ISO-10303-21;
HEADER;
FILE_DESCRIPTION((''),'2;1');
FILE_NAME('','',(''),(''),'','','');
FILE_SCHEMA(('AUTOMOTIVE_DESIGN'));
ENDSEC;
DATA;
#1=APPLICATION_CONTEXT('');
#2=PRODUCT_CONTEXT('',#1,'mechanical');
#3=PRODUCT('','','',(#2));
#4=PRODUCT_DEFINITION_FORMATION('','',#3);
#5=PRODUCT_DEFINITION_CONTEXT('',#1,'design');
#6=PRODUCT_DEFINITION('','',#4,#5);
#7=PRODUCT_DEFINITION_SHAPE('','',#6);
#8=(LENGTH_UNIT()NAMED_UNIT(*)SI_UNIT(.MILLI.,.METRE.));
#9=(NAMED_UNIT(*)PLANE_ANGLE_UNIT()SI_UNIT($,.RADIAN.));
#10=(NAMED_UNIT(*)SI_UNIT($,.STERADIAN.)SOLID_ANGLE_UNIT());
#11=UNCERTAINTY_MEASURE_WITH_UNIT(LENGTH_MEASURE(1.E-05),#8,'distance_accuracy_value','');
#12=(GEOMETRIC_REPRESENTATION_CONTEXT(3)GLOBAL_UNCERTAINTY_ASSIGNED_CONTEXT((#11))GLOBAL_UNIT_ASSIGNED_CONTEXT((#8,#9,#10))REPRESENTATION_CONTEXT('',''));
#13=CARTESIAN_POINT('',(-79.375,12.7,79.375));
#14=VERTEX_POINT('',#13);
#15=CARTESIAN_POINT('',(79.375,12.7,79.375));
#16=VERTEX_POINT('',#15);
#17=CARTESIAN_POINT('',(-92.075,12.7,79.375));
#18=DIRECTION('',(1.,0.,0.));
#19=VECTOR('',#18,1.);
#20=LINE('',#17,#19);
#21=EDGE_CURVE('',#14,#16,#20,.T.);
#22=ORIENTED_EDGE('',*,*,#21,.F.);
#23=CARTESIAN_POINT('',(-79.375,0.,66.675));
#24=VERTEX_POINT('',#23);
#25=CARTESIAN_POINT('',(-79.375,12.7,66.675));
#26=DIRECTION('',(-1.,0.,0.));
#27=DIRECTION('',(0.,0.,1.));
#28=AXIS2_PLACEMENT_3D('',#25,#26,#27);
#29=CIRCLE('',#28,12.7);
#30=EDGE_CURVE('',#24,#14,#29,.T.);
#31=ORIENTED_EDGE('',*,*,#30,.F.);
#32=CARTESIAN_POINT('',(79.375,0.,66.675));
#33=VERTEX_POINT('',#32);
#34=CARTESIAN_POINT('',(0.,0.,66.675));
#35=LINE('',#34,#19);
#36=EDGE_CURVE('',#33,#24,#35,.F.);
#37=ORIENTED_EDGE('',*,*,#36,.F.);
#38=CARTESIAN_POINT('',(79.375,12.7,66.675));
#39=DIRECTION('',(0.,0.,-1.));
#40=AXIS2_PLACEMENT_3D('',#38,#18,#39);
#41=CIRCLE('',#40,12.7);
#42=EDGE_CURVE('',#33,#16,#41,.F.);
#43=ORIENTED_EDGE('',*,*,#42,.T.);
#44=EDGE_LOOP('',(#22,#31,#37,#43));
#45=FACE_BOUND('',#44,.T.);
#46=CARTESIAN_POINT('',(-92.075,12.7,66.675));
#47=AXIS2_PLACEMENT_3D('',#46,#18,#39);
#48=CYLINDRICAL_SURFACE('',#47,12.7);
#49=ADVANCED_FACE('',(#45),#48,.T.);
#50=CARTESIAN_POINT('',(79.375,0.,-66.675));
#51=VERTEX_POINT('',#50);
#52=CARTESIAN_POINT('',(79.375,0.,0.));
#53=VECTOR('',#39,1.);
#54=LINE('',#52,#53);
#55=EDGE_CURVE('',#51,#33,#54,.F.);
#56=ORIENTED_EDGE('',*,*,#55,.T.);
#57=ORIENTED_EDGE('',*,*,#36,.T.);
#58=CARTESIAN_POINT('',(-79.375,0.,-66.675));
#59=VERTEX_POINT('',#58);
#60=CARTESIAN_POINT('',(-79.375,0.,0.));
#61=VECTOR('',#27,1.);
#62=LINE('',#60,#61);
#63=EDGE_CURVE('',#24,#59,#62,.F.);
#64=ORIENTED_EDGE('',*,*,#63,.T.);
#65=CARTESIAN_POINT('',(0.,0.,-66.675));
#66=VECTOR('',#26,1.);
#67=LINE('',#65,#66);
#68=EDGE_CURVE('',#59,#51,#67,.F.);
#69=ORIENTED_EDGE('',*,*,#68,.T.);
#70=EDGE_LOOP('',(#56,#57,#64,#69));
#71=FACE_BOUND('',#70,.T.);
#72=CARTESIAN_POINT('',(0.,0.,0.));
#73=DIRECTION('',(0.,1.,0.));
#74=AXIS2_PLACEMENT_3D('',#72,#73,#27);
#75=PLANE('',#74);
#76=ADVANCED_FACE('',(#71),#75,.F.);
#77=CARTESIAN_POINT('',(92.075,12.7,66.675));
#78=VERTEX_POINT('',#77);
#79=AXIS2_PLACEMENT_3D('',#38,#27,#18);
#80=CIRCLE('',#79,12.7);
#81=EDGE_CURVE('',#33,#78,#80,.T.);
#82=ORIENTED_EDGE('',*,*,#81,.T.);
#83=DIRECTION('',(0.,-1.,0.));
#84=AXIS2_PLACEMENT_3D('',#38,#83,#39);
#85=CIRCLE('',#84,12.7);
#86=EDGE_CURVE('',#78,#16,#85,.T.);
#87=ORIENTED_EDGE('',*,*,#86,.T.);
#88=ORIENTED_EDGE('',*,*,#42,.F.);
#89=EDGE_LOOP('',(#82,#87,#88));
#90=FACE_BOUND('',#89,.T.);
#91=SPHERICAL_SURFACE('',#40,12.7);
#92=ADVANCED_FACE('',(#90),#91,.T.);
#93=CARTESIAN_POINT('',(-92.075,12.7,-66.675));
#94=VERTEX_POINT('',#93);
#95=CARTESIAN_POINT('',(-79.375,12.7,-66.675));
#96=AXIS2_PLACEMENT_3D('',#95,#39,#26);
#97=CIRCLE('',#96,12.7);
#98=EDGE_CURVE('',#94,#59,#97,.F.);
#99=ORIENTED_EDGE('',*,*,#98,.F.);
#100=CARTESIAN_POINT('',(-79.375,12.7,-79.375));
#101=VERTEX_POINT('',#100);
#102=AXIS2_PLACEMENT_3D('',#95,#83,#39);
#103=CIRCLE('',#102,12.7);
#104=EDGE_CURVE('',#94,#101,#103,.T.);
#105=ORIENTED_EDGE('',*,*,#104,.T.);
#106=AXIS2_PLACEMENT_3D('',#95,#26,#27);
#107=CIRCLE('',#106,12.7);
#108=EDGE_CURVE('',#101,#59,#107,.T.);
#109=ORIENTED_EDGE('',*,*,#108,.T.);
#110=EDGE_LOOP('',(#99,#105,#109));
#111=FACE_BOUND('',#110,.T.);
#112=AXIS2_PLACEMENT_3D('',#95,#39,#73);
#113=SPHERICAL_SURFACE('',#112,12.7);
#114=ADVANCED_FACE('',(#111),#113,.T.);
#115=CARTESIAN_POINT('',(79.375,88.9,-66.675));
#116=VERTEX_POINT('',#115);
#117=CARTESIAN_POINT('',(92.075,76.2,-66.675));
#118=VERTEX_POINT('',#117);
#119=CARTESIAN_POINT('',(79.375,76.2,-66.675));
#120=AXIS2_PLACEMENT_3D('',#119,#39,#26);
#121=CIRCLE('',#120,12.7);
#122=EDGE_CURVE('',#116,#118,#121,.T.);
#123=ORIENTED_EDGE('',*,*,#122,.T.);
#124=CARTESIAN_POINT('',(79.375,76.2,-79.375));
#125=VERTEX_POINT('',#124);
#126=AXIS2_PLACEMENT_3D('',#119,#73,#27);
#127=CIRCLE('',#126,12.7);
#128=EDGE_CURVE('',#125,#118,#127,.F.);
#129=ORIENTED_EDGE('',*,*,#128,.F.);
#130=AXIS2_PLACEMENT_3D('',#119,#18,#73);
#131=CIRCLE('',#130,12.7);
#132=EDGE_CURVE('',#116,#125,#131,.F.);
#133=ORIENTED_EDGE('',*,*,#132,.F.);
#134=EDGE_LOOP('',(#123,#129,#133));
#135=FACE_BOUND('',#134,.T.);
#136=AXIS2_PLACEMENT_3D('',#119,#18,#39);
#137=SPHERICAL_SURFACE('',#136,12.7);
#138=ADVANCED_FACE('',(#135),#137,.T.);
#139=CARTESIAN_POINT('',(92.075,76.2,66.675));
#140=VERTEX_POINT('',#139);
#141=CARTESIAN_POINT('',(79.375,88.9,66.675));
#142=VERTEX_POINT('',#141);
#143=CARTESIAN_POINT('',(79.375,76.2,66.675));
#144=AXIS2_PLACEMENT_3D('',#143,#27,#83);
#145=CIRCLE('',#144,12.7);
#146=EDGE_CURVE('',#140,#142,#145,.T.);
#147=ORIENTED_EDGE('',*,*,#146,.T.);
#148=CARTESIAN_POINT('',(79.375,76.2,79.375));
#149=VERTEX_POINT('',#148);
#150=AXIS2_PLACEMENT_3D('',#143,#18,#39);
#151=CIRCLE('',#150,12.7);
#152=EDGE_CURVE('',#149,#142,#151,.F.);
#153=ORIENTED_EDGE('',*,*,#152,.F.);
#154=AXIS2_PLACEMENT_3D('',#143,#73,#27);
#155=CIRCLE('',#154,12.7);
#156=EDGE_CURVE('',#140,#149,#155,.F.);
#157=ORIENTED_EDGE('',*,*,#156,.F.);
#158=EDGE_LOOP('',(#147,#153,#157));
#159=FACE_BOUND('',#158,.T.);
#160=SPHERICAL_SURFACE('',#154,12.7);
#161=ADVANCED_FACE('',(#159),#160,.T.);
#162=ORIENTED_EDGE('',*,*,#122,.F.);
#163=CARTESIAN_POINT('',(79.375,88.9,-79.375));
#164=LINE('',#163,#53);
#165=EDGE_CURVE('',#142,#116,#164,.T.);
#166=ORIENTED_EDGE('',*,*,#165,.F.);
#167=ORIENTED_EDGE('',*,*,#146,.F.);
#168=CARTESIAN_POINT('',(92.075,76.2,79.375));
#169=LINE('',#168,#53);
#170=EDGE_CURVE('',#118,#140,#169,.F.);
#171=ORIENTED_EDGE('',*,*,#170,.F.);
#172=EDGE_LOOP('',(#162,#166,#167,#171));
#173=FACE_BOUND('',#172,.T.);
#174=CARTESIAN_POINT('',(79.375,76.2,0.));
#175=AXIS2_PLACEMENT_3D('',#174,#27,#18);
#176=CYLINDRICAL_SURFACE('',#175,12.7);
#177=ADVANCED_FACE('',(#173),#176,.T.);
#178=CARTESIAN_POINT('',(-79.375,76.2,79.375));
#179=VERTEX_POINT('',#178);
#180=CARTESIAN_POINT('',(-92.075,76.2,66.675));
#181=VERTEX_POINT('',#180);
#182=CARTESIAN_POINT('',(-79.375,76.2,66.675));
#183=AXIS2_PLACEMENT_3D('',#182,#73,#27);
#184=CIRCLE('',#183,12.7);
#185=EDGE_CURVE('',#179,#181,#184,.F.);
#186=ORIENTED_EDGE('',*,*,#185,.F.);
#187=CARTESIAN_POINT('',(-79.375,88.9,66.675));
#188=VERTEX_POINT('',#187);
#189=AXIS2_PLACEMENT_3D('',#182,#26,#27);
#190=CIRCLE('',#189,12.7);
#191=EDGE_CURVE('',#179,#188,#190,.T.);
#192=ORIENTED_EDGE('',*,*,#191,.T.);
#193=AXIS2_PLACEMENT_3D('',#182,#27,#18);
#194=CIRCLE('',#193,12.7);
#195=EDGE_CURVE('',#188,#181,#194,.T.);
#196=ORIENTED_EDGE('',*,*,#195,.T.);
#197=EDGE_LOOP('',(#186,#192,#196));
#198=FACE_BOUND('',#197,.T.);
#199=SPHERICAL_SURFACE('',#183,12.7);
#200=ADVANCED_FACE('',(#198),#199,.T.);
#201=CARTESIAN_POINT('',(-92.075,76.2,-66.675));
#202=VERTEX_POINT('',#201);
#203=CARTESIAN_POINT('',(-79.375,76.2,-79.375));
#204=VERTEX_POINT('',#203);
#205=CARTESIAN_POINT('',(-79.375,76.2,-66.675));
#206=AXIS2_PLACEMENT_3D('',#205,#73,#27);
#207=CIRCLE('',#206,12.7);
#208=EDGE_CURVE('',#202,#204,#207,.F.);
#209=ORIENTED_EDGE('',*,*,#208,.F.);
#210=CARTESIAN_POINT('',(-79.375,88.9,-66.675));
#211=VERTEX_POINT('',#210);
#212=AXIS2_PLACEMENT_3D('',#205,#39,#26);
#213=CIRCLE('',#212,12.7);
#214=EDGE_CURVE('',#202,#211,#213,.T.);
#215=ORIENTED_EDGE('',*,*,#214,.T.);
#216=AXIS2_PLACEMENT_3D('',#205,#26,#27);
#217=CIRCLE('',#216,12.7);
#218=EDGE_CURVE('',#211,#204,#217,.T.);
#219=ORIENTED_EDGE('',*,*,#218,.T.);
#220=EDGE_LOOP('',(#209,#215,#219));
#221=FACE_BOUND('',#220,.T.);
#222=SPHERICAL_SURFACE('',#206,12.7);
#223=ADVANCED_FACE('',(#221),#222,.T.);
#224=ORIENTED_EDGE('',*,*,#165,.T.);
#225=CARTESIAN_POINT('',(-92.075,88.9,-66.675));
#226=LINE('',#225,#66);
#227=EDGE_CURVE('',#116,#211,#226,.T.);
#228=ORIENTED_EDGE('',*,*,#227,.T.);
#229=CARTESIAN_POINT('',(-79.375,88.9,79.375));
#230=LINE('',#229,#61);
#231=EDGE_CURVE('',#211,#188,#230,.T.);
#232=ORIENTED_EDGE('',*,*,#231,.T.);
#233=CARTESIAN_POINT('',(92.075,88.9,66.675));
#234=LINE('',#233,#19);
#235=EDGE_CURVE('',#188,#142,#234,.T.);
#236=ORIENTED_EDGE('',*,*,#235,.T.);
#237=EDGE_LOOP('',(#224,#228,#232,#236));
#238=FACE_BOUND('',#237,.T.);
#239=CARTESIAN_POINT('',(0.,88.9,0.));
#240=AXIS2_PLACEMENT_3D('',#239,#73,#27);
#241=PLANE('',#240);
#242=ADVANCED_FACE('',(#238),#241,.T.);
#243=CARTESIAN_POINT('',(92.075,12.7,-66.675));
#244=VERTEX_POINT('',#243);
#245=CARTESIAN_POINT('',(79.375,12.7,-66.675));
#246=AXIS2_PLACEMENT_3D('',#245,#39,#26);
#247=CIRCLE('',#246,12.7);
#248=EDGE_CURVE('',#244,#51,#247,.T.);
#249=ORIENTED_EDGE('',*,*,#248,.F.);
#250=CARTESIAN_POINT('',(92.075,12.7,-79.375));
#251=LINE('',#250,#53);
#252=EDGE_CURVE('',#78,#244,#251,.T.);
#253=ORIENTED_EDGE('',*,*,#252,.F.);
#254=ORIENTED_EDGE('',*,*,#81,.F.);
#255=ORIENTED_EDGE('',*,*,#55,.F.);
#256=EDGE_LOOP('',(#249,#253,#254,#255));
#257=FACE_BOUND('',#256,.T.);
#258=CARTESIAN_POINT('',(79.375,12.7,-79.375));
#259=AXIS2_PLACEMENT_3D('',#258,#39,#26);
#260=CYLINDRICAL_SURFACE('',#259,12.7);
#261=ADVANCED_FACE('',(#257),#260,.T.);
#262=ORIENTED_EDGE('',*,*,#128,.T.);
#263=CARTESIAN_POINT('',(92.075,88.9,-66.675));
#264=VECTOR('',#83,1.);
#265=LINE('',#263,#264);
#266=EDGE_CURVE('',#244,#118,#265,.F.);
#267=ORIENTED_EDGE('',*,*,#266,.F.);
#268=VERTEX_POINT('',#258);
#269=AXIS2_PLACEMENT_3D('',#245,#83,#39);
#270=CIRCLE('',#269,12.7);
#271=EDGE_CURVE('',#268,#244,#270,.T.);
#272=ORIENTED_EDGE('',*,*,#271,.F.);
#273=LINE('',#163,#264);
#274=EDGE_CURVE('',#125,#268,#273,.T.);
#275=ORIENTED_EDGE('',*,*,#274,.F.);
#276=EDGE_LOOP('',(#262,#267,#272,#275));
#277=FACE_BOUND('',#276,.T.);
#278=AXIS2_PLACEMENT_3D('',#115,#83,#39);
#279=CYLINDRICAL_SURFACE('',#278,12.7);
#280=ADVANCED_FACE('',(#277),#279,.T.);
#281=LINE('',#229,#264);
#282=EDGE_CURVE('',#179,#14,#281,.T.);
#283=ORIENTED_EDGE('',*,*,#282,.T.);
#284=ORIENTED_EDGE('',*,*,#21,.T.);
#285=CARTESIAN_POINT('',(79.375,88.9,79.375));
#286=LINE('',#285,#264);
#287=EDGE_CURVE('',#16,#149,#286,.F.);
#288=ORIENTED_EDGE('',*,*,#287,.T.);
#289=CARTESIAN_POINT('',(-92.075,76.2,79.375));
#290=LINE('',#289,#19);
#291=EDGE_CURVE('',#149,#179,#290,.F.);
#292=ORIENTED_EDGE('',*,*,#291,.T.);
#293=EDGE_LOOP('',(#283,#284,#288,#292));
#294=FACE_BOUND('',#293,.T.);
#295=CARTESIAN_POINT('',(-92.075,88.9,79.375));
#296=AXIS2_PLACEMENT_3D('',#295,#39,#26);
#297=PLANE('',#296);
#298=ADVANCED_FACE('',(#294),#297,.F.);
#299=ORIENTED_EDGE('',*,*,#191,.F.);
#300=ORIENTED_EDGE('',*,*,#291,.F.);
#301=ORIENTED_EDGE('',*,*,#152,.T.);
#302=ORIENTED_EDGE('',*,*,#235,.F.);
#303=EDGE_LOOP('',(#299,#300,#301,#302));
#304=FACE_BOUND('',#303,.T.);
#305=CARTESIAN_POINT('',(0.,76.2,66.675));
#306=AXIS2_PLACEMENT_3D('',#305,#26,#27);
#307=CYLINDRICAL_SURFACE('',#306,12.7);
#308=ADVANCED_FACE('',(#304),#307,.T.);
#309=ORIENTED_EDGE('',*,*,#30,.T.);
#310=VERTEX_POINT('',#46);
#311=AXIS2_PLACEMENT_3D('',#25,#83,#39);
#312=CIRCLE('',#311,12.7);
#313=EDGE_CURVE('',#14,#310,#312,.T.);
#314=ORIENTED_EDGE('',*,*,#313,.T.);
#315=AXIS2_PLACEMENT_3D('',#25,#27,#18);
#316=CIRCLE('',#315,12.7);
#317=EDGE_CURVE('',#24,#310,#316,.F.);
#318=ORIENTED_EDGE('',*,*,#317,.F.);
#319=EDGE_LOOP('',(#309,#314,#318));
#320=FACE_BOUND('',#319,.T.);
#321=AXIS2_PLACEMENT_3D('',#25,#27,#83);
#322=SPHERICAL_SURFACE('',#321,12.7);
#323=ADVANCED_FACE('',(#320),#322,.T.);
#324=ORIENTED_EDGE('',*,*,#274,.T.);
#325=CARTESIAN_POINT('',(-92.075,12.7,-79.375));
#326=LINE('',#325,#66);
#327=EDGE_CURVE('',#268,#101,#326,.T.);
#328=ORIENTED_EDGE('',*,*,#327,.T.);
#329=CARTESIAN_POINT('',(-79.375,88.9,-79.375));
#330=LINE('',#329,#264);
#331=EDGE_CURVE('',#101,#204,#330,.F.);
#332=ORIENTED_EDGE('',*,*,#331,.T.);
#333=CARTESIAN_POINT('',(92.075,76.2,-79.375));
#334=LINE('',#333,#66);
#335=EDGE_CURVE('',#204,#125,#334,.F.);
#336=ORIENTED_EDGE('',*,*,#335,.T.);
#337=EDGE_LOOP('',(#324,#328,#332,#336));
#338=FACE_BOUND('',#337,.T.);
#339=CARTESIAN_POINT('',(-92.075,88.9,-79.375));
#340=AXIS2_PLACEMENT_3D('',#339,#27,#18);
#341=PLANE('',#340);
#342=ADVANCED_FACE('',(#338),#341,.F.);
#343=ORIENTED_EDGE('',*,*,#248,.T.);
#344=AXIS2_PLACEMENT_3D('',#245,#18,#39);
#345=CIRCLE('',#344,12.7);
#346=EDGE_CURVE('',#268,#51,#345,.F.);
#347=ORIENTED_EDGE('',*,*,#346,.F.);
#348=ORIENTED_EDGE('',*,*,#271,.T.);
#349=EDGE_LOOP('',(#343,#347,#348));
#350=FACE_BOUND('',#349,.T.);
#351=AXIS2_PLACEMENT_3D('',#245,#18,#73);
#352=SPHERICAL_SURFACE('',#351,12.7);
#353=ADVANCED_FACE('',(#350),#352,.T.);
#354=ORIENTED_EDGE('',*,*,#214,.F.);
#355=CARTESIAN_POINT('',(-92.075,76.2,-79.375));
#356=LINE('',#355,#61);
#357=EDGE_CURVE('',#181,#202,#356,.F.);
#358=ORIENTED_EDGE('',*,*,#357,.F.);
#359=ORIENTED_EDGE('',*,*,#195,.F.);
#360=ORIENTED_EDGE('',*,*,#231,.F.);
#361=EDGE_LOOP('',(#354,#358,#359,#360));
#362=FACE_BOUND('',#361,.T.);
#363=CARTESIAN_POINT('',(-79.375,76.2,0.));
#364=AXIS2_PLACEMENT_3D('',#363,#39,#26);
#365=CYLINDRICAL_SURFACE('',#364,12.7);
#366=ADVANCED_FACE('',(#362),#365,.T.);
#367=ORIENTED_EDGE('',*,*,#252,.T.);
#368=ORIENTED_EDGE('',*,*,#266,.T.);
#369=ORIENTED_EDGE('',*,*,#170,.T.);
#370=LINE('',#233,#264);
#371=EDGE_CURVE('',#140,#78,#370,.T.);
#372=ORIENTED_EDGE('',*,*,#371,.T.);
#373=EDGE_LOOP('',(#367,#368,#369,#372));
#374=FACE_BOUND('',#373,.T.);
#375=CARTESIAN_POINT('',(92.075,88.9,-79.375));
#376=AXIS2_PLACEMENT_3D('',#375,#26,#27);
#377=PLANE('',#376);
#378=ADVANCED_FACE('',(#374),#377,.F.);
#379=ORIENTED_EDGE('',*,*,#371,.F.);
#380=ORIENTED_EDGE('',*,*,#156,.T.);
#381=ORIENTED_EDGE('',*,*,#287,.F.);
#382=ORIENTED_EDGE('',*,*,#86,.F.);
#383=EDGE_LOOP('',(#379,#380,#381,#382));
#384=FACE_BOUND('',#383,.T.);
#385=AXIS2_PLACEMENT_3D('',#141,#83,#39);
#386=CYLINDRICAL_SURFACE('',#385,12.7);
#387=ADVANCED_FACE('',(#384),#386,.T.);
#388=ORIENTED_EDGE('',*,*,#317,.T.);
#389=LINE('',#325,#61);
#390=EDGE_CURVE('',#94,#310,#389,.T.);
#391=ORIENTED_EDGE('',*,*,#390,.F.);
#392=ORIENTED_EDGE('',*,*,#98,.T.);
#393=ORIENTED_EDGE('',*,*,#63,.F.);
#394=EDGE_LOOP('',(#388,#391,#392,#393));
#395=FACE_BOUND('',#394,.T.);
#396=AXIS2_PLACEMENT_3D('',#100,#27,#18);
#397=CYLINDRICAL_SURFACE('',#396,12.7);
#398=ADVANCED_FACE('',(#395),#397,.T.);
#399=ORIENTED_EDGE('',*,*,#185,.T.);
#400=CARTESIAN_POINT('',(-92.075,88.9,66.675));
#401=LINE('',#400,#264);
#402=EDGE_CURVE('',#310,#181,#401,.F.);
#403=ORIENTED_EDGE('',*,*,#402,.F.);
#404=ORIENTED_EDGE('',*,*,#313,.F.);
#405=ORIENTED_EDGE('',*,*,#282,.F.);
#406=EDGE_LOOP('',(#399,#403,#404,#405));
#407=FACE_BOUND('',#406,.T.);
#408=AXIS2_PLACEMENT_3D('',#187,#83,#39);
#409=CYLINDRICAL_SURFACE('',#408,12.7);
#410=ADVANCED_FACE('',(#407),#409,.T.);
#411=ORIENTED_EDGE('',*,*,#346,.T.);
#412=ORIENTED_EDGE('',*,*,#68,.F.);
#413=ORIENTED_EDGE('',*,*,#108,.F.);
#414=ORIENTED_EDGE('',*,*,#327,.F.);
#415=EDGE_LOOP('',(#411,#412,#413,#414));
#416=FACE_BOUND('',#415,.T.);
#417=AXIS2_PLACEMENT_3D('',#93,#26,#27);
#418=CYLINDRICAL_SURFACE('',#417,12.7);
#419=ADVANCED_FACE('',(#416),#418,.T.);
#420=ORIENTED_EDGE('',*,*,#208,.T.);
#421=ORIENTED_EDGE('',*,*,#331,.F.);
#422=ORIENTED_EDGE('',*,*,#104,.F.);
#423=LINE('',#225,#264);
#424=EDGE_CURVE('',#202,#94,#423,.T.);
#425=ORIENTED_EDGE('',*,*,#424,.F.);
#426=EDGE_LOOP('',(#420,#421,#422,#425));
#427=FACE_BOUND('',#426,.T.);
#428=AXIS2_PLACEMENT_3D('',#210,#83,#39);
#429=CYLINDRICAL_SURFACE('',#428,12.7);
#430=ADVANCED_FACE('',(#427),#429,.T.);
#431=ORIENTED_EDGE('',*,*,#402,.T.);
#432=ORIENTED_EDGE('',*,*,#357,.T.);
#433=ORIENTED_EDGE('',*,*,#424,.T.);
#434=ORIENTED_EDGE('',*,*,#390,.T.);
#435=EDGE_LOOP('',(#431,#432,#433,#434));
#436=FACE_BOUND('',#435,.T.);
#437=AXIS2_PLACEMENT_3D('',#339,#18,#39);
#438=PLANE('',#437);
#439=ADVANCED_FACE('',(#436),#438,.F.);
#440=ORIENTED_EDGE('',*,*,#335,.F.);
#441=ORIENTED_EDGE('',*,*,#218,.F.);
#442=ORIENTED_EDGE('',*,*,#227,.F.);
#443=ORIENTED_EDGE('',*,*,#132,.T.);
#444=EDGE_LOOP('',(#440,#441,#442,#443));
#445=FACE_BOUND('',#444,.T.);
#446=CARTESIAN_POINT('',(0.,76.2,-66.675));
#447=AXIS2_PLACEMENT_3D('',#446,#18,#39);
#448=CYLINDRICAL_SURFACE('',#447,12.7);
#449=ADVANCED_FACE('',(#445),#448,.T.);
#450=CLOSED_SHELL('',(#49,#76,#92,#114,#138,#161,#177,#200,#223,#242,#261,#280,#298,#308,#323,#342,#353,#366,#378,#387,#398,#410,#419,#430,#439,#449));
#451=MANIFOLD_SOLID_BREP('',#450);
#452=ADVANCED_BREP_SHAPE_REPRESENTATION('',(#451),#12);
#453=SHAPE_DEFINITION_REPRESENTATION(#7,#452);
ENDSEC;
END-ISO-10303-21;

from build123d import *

# Parameters (mm, degrees)
SKETCH1_W           = 184.15
SKETCH1_H           = 158.75
BOSS_EXTRUDE1_DEPTH = 88.9
FILLET1_R           = 12.7


with BuildPart() as part:
    # Sketch1 → Boss-Extrude1 (new body)
    with BuildSketch(Plane(origin=(0, 0, 0), x_dir=(1, 0, 0), z_dir=(0, 1, 0))):
        Rectangle(SKETCH1_W, SKETCH1_H)
    extrude(amount=BOSS_EXTRUDE1_DEPTH)

    # Fillet1
    fillet1_edges = [part.edges().sort_by_distance(p)[0] for p in [
        (-92.075, 88.9, 0),
        (0, 88.9, 79.375),
        (92.075, 88.9, 0),
        (0, 0, 79.375),
        (-92.075, 0, 0),
        (0, 0, -79.375),
        (92.075, 0, 0),
        (92.075, 44.45, 79.375),
        (-92.075, 44.45, 79.375),
        (-92.075, 44.45, -79.375),
        (92.075, 44.45, -79.375),
        (0, 88.9, -79.375),
    ]]
    fillet(fillet1_edges, radius=FILLET1_R)


solid = part.part
